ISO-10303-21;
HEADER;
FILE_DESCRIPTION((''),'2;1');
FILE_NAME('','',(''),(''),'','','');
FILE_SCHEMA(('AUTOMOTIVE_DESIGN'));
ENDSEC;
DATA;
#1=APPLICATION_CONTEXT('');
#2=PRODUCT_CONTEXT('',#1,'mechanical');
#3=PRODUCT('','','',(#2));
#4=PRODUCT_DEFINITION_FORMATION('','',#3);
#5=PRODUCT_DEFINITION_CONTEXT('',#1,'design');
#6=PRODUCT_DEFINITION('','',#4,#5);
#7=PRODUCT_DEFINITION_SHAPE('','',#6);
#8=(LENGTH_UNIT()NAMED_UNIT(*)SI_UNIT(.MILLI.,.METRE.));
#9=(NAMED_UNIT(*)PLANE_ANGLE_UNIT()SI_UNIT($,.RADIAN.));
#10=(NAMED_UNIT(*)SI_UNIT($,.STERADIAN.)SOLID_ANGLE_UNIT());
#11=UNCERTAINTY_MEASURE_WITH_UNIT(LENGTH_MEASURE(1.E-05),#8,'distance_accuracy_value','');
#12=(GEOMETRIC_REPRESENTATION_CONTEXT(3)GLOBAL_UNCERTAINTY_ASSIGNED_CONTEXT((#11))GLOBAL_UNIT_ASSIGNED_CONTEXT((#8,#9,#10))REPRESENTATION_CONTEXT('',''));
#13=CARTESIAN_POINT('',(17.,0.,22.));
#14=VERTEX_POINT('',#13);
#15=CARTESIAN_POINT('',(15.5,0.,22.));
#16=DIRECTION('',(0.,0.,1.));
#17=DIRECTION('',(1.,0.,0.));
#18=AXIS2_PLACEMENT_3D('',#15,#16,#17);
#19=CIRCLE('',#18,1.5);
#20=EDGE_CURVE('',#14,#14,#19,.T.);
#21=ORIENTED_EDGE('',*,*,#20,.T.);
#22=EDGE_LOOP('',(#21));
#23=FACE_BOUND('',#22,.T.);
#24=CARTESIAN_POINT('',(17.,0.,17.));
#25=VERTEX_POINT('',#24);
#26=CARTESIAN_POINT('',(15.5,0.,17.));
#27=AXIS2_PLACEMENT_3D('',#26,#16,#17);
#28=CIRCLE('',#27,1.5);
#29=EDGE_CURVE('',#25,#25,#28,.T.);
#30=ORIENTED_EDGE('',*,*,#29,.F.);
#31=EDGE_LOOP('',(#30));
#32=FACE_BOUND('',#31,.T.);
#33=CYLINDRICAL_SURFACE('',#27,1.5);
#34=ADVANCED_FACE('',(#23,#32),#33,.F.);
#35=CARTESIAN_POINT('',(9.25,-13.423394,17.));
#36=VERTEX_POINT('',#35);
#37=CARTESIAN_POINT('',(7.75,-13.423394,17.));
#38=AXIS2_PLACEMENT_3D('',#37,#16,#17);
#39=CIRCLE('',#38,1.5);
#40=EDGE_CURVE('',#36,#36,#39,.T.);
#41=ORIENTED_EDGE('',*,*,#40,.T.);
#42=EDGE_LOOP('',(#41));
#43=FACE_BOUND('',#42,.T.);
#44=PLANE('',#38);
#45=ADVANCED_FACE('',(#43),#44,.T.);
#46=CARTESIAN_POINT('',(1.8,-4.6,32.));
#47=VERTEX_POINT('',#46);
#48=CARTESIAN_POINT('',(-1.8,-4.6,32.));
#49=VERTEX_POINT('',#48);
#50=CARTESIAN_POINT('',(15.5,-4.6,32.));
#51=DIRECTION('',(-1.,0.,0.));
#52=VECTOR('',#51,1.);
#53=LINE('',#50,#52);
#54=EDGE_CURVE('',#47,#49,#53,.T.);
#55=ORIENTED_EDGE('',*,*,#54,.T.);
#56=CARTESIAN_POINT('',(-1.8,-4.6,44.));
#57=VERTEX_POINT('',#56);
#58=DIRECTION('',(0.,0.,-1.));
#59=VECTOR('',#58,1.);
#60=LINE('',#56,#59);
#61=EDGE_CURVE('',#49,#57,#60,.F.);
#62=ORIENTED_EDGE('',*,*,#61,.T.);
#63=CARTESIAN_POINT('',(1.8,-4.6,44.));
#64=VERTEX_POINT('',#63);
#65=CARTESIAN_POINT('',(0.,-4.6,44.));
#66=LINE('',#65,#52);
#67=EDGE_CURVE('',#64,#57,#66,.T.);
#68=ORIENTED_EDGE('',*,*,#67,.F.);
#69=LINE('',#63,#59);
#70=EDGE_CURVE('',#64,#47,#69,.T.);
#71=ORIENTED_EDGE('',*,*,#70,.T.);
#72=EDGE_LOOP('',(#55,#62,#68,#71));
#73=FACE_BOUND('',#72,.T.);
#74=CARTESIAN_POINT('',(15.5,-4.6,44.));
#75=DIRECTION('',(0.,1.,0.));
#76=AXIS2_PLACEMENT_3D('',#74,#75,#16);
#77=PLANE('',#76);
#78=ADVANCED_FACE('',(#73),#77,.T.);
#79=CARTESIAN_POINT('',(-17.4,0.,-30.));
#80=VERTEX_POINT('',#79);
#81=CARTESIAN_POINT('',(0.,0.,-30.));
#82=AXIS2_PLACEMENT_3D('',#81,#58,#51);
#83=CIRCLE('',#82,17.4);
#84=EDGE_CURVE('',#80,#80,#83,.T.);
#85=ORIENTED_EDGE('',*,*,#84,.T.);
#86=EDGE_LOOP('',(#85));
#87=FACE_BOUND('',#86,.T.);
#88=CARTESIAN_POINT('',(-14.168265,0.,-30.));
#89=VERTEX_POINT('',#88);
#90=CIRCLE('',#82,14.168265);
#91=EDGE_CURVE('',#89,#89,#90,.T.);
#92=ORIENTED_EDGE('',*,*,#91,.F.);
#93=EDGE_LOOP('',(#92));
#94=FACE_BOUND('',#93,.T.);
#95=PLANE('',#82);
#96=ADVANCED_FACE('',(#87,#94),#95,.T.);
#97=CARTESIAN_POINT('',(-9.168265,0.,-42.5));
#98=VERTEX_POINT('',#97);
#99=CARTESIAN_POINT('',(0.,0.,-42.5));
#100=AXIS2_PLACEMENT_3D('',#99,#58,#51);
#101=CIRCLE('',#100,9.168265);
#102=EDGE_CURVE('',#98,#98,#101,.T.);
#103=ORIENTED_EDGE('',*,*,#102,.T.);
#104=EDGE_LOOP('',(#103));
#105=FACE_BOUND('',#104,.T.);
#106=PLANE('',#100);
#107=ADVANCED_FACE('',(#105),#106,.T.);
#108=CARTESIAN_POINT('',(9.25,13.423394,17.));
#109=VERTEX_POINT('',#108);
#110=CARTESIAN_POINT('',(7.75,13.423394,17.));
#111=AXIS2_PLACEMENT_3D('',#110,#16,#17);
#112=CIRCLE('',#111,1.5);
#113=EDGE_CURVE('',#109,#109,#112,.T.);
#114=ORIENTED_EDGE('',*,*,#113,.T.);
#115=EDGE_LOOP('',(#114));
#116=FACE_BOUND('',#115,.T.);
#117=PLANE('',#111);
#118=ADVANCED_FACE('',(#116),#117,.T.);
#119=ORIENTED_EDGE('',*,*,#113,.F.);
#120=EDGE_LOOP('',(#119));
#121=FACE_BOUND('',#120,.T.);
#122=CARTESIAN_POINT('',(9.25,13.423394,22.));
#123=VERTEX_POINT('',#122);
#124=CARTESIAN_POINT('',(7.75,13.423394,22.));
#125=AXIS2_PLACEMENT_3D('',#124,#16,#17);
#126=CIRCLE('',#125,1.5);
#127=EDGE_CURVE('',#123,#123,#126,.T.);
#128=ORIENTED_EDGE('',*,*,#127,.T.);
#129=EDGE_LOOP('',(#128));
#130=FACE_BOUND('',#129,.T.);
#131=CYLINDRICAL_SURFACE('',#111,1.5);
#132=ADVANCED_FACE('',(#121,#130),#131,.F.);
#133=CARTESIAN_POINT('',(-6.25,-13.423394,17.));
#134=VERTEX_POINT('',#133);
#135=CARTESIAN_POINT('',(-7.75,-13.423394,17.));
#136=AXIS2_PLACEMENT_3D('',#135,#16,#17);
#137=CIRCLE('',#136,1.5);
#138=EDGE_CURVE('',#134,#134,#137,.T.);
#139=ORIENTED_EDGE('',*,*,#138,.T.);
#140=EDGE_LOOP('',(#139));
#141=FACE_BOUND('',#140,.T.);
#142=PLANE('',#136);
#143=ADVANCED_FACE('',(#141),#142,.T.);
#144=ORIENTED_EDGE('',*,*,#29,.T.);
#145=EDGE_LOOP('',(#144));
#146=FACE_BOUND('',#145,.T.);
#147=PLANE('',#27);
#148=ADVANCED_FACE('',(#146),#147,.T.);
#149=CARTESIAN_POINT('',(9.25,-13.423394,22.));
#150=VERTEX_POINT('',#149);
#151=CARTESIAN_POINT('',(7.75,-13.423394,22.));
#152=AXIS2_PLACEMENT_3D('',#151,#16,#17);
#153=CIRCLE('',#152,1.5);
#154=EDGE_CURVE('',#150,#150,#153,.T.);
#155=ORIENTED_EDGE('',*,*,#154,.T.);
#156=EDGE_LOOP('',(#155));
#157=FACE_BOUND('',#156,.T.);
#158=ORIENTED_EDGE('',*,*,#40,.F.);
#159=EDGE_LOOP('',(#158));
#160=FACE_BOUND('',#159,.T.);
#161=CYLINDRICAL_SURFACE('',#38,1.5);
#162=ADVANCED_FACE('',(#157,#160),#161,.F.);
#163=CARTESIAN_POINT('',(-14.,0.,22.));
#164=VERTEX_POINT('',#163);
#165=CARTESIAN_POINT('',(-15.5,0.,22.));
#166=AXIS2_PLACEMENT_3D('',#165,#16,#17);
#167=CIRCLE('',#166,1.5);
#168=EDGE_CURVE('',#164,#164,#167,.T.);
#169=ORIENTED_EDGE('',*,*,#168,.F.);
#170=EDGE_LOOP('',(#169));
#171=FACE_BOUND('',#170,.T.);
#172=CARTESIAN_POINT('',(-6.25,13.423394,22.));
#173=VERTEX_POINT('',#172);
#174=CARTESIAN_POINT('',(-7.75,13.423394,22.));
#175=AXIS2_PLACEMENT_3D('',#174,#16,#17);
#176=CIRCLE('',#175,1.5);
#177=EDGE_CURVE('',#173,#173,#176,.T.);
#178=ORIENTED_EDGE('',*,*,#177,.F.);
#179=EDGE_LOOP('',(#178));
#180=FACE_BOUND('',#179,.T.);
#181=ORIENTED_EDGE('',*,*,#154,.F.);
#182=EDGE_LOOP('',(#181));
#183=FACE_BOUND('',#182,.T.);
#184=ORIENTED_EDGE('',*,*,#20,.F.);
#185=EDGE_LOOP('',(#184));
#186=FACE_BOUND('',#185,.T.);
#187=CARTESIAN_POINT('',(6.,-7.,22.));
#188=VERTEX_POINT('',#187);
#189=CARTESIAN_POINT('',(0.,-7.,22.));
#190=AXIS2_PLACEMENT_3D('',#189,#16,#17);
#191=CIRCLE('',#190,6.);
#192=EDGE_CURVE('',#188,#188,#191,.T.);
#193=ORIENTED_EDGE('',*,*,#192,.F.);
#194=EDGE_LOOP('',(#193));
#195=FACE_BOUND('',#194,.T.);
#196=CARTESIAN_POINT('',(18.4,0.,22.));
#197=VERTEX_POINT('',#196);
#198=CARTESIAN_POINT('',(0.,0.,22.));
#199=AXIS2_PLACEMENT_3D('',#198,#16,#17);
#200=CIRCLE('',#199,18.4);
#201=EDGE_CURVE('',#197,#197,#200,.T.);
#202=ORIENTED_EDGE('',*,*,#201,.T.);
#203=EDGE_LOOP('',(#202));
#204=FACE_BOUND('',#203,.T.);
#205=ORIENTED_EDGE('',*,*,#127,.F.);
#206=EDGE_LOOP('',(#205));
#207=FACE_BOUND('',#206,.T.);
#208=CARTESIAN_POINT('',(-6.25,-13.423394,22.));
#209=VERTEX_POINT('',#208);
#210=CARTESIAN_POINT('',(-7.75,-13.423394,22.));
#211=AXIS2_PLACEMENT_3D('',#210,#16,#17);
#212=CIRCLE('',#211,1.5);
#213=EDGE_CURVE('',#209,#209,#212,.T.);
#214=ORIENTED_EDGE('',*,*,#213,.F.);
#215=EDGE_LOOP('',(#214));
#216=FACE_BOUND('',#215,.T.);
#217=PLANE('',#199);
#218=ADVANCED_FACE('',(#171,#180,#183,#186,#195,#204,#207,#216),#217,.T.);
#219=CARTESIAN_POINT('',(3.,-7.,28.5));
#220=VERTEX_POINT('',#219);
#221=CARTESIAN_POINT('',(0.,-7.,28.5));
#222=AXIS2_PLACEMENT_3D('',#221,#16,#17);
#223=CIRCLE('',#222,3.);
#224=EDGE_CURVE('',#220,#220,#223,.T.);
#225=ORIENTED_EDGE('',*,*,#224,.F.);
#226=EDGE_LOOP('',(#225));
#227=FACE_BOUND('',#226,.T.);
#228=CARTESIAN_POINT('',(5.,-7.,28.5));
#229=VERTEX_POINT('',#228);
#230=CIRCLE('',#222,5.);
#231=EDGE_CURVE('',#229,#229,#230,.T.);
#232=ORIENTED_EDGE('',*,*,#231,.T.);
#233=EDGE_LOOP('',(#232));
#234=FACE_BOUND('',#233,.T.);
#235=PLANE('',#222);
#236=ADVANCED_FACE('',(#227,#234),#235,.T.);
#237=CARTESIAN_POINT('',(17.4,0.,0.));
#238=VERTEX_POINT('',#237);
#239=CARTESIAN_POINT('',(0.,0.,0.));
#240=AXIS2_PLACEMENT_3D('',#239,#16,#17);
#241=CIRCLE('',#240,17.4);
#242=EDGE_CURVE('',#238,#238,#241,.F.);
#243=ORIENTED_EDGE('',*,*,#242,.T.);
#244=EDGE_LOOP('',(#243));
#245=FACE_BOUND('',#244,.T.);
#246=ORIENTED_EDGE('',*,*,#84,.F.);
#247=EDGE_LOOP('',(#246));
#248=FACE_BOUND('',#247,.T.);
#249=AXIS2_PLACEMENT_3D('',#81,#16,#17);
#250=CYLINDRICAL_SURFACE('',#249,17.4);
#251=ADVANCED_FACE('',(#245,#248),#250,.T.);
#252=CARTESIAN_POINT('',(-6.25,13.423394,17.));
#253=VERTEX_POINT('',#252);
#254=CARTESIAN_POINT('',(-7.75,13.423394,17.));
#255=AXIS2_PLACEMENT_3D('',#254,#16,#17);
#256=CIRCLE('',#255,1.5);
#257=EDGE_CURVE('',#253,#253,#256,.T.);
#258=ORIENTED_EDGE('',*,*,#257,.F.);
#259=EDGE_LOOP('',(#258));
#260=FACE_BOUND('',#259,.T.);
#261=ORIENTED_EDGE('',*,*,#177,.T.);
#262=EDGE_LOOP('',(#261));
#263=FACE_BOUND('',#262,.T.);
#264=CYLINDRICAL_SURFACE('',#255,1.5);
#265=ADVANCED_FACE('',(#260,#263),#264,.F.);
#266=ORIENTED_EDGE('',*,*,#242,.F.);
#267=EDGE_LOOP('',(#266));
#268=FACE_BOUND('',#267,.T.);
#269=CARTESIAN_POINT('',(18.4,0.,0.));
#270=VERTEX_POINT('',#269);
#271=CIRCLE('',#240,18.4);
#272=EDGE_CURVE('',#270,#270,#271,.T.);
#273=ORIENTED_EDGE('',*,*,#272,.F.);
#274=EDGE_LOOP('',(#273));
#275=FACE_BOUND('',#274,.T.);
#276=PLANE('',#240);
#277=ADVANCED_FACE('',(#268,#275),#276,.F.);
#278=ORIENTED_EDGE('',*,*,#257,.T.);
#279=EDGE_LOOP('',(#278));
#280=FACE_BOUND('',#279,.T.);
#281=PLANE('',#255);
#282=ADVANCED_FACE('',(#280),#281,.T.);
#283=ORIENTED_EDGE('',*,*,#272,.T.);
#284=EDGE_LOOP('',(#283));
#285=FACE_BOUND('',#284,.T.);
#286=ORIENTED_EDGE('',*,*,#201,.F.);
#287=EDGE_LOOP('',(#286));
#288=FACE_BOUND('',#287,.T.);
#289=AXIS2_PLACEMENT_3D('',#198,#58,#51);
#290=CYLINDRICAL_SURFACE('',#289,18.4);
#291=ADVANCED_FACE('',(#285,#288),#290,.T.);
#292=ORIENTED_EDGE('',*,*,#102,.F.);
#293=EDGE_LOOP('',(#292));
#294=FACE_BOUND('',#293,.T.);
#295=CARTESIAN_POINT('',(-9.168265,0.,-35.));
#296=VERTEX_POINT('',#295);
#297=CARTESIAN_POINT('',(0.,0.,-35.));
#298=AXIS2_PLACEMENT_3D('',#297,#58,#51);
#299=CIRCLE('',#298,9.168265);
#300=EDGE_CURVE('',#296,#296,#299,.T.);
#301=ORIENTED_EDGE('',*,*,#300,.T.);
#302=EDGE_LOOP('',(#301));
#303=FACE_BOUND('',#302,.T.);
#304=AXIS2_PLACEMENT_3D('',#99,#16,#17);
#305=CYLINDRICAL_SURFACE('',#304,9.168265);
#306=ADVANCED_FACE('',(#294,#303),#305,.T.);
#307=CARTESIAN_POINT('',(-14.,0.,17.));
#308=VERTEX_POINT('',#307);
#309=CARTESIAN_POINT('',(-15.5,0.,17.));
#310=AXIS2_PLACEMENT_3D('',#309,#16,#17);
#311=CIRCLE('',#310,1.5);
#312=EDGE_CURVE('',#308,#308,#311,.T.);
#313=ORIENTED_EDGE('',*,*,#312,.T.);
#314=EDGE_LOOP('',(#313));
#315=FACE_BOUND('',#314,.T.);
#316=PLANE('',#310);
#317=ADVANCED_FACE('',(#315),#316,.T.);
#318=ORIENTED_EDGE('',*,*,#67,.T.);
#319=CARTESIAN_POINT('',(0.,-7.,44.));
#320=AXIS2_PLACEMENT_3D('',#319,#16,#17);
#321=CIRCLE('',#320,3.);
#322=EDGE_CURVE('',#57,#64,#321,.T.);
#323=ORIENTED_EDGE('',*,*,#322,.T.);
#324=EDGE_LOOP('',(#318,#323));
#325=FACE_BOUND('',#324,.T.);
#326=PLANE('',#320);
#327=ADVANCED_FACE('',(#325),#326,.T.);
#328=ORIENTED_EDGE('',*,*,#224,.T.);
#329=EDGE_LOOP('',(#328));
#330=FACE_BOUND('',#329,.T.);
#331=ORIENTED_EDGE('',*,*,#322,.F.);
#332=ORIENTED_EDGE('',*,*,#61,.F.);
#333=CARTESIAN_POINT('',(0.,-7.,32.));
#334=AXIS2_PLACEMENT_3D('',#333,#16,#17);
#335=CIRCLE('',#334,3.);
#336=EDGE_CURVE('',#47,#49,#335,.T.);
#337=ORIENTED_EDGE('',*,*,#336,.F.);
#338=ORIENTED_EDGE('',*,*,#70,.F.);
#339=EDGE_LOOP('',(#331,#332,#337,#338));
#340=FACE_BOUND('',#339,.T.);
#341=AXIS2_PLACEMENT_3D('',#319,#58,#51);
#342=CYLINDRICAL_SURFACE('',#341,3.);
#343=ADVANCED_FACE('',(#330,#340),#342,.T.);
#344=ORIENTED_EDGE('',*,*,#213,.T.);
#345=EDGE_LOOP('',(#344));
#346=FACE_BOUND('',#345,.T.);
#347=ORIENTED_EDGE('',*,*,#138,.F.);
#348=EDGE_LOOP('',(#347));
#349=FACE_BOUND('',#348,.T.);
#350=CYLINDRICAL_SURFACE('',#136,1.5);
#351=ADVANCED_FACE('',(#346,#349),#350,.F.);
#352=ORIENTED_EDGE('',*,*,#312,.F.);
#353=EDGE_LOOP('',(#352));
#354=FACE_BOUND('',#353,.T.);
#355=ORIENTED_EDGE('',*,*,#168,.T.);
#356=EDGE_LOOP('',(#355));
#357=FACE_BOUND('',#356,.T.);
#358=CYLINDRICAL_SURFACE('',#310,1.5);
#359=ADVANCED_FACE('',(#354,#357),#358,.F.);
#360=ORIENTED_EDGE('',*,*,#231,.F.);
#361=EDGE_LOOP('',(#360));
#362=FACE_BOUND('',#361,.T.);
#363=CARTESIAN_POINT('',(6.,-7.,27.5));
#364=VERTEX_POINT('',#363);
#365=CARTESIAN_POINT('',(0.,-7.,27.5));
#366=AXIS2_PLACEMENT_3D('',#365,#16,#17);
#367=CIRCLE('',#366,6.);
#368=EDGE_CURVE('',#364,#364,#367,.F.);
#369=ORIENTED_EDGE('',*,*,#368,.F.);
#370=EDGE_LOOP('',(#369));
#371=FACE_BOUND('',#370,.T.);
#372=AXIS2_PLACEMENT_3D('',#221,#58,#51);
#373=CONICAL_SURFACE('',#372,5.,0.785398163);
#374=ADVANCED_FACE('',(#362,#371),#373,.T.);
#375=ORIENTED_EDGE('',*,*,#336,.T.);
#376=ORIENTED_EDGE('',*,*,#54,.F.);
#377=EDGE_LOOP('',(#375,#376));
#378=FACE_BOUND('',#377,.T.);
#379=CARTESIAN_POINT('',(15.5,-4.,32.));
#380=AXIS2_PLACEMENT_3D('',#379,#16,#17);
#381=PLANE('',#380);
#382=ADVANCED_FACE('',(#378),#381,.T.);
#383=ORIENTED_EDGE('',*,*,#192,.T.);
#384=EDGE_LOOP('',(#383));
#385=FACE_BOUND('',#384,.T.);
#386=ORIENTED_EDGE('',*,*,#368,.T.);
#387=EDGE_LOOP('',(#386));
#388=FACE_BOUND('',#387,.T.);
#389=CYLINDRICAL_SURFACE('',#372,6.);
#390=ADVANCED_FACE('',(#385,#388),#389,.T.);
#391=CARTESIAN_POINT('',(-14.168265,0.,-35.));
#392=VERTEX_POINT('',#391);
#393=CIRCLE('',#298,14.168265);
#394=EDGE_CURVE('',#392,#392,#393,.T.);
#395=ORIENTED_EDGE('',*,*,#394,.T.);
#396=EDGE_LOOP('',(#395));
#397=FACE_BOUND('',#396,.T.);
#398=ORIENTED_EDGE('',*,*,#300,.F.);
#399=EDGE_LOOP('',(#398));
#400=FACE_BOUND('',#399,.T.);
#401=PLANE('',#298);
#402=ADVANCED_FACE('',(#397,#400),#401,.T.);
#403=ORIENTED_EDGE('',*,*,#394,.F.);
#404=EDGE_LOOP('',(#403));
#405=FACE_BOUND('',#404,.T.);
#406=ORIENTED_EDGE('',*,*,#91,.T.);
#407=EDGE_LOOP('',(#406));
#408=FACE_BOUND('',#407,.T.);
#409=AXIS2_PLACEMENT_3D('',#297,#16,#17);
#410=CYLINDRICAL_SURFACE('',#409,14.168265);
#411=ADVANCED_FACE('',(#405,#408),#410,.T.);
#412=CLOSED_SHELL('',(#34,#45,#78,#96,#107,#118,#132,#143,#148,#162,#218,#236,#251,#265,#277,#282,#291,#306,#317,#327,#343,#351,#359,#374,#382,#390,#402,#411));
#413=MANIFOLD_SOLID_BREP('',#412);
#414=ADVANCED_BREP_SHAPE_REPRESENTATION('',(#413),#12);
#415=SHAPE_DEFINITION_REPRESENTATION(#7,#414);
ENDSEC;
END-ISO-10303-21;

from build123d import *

# Parameters (mm, degrees)
SKETCH1_R               = 18.4
BOSS_EXTRUDE1_DEPTH     = 22
SKETCH2_R               = 17.4
BOSS_EXTRUDE2_DEPTH     = 30
SKETCH3_R               = 6
BOSS_EXTRUDE3_DEPTH     = 6.5
CHAMFER1_SIZE           = 1
SKETCH4_R               = 3
BOSS_EXTRUDE4_DEPTH     = 15.5
CUT_EXTRUDE1_DEPTH      = 15.5
CUT_EXTRUDE1_DEPTH_BACK = 15.5
SKETCH5_W               = 12
SKETCH5_H               = 0.6
SKETCH6_R               = 1.5
CUT_EXTRUDE2_DEPTH      = 5
SKETCH7_R               = 9.168264785
BOSS_EXTRUDE5_DEPTH     = 12.5
SKETCH8_R               = 14.168264785
BOSS_EXTRUDE6_DEPTH     = 5


with BuildPart() as part:
    # Sketch1 → Boss-Extrude1 (new body)
    with BuildSketch(Plane.XY):
        Circle(SKETCH1_R)
    extrude(amount=BOSS_EXTRUDE1_DEPTH)

    # Sketch2 → Boss-Extrude2 (add)
    with BuildSketch(Plane(origin=(0, 0, 0), x_dir=(-1, 0, 0), z_dir=(0, 0, -1))):
        Circle(SKETCH2_R)
    extrude(amount=BOSS_EXTRUDE2_DEPTH)

    # Sketch3 → Boss-Extrude3 (add)
    with BuildSketch(Plane.XY.offset(22)):
        with Locations((0, -7)):
            Circle(SKETCH3_R)
    extrude(amount=BOSS_EXTRUDE3_DEPTH)

    # Chamfer1
    chamfer1_edges = [part.edges().sort_by_distance(p)[0] for p in [
        (-6, -7, 28.5),
    ]]
    chamfer(chamfer1_edges, length=CHAMFER1_SIZE)

    # Sketch4 → Boss-Extrude4 (add)
    with BuildSketch(Plane.XY.offset(28.5)):
        with Locations((0, -7)):
            Circle(SKETCH4_R)
    extrude(amount=BOSS_EXTRUDE4_DEPTH)

    # Sketch5 → Cut-Extrude1 (cut, two sides: drawn at the far end of the back side and taken through both)
    with BuildSketch(Plane(origin=(0, 0, 0), x_dir=(0, 0, -1), z_dir=(1, 0, 0)).offset(-CUT_EXTRUDE1_DEPTH_BACK)):
        with Locations((-38, -4.3)):
            Rectangle(SKETCH5_W, SKETCH5_H)
    extrude(amount=CUT_EXTRUDE1_DEPTH + CUT_EXTRUDE1_DEPTH_BACK, mode=Mode.SUBTRACT)

    # Sketch6 → Cut-Extrude2 (cut)
    with BuildSketch(Plane.XY.offset(22)):
        with Locations((-7.75, 13.423393759)):
            Circle(SKETCH6_R)
        with Locations((7.75, 13.423393759)):
            Circle(SKETCH6_R)
        with Locations((15.5, 0)):
            Circle(SKETCH6_R)
        with Locations((-15.5, 0)):
            Circle(SKETCH6_R)
        with Locations((-7.75, -13.423393759)):
            Circle(SKETCH6_R)
        with Locations((7.75, -13.423393759)):
            Circle(SKETCH6_R)
    extrude(amount=-CUT_EXTRUDE2_DEPTH, mode=Mode.SUBTRACT)

    # Sketch7 → Boss-Extrude5 (add)
    with BuildSketch(Plane(origin=(0, 0, -30), x_dir=(-1, 0, 0), z_dir=(0, 0, -1))):
        Circle(SKETCH7_R)
    extrude(amount=BOSS_EXTRUDE5_DEPTH)

    # Sketch8 → Boss-Extrude6 (add)
    with BuildSketch(Plane(origin=(0, 0, -30), x_dir=(-1, 0, 0), z_dir=(0, 0, -1))):
        Circle(SKETCH8_R)
    extrude(amount=BOSS_EXTRUDE6_DEPTH)


solid = part.part
